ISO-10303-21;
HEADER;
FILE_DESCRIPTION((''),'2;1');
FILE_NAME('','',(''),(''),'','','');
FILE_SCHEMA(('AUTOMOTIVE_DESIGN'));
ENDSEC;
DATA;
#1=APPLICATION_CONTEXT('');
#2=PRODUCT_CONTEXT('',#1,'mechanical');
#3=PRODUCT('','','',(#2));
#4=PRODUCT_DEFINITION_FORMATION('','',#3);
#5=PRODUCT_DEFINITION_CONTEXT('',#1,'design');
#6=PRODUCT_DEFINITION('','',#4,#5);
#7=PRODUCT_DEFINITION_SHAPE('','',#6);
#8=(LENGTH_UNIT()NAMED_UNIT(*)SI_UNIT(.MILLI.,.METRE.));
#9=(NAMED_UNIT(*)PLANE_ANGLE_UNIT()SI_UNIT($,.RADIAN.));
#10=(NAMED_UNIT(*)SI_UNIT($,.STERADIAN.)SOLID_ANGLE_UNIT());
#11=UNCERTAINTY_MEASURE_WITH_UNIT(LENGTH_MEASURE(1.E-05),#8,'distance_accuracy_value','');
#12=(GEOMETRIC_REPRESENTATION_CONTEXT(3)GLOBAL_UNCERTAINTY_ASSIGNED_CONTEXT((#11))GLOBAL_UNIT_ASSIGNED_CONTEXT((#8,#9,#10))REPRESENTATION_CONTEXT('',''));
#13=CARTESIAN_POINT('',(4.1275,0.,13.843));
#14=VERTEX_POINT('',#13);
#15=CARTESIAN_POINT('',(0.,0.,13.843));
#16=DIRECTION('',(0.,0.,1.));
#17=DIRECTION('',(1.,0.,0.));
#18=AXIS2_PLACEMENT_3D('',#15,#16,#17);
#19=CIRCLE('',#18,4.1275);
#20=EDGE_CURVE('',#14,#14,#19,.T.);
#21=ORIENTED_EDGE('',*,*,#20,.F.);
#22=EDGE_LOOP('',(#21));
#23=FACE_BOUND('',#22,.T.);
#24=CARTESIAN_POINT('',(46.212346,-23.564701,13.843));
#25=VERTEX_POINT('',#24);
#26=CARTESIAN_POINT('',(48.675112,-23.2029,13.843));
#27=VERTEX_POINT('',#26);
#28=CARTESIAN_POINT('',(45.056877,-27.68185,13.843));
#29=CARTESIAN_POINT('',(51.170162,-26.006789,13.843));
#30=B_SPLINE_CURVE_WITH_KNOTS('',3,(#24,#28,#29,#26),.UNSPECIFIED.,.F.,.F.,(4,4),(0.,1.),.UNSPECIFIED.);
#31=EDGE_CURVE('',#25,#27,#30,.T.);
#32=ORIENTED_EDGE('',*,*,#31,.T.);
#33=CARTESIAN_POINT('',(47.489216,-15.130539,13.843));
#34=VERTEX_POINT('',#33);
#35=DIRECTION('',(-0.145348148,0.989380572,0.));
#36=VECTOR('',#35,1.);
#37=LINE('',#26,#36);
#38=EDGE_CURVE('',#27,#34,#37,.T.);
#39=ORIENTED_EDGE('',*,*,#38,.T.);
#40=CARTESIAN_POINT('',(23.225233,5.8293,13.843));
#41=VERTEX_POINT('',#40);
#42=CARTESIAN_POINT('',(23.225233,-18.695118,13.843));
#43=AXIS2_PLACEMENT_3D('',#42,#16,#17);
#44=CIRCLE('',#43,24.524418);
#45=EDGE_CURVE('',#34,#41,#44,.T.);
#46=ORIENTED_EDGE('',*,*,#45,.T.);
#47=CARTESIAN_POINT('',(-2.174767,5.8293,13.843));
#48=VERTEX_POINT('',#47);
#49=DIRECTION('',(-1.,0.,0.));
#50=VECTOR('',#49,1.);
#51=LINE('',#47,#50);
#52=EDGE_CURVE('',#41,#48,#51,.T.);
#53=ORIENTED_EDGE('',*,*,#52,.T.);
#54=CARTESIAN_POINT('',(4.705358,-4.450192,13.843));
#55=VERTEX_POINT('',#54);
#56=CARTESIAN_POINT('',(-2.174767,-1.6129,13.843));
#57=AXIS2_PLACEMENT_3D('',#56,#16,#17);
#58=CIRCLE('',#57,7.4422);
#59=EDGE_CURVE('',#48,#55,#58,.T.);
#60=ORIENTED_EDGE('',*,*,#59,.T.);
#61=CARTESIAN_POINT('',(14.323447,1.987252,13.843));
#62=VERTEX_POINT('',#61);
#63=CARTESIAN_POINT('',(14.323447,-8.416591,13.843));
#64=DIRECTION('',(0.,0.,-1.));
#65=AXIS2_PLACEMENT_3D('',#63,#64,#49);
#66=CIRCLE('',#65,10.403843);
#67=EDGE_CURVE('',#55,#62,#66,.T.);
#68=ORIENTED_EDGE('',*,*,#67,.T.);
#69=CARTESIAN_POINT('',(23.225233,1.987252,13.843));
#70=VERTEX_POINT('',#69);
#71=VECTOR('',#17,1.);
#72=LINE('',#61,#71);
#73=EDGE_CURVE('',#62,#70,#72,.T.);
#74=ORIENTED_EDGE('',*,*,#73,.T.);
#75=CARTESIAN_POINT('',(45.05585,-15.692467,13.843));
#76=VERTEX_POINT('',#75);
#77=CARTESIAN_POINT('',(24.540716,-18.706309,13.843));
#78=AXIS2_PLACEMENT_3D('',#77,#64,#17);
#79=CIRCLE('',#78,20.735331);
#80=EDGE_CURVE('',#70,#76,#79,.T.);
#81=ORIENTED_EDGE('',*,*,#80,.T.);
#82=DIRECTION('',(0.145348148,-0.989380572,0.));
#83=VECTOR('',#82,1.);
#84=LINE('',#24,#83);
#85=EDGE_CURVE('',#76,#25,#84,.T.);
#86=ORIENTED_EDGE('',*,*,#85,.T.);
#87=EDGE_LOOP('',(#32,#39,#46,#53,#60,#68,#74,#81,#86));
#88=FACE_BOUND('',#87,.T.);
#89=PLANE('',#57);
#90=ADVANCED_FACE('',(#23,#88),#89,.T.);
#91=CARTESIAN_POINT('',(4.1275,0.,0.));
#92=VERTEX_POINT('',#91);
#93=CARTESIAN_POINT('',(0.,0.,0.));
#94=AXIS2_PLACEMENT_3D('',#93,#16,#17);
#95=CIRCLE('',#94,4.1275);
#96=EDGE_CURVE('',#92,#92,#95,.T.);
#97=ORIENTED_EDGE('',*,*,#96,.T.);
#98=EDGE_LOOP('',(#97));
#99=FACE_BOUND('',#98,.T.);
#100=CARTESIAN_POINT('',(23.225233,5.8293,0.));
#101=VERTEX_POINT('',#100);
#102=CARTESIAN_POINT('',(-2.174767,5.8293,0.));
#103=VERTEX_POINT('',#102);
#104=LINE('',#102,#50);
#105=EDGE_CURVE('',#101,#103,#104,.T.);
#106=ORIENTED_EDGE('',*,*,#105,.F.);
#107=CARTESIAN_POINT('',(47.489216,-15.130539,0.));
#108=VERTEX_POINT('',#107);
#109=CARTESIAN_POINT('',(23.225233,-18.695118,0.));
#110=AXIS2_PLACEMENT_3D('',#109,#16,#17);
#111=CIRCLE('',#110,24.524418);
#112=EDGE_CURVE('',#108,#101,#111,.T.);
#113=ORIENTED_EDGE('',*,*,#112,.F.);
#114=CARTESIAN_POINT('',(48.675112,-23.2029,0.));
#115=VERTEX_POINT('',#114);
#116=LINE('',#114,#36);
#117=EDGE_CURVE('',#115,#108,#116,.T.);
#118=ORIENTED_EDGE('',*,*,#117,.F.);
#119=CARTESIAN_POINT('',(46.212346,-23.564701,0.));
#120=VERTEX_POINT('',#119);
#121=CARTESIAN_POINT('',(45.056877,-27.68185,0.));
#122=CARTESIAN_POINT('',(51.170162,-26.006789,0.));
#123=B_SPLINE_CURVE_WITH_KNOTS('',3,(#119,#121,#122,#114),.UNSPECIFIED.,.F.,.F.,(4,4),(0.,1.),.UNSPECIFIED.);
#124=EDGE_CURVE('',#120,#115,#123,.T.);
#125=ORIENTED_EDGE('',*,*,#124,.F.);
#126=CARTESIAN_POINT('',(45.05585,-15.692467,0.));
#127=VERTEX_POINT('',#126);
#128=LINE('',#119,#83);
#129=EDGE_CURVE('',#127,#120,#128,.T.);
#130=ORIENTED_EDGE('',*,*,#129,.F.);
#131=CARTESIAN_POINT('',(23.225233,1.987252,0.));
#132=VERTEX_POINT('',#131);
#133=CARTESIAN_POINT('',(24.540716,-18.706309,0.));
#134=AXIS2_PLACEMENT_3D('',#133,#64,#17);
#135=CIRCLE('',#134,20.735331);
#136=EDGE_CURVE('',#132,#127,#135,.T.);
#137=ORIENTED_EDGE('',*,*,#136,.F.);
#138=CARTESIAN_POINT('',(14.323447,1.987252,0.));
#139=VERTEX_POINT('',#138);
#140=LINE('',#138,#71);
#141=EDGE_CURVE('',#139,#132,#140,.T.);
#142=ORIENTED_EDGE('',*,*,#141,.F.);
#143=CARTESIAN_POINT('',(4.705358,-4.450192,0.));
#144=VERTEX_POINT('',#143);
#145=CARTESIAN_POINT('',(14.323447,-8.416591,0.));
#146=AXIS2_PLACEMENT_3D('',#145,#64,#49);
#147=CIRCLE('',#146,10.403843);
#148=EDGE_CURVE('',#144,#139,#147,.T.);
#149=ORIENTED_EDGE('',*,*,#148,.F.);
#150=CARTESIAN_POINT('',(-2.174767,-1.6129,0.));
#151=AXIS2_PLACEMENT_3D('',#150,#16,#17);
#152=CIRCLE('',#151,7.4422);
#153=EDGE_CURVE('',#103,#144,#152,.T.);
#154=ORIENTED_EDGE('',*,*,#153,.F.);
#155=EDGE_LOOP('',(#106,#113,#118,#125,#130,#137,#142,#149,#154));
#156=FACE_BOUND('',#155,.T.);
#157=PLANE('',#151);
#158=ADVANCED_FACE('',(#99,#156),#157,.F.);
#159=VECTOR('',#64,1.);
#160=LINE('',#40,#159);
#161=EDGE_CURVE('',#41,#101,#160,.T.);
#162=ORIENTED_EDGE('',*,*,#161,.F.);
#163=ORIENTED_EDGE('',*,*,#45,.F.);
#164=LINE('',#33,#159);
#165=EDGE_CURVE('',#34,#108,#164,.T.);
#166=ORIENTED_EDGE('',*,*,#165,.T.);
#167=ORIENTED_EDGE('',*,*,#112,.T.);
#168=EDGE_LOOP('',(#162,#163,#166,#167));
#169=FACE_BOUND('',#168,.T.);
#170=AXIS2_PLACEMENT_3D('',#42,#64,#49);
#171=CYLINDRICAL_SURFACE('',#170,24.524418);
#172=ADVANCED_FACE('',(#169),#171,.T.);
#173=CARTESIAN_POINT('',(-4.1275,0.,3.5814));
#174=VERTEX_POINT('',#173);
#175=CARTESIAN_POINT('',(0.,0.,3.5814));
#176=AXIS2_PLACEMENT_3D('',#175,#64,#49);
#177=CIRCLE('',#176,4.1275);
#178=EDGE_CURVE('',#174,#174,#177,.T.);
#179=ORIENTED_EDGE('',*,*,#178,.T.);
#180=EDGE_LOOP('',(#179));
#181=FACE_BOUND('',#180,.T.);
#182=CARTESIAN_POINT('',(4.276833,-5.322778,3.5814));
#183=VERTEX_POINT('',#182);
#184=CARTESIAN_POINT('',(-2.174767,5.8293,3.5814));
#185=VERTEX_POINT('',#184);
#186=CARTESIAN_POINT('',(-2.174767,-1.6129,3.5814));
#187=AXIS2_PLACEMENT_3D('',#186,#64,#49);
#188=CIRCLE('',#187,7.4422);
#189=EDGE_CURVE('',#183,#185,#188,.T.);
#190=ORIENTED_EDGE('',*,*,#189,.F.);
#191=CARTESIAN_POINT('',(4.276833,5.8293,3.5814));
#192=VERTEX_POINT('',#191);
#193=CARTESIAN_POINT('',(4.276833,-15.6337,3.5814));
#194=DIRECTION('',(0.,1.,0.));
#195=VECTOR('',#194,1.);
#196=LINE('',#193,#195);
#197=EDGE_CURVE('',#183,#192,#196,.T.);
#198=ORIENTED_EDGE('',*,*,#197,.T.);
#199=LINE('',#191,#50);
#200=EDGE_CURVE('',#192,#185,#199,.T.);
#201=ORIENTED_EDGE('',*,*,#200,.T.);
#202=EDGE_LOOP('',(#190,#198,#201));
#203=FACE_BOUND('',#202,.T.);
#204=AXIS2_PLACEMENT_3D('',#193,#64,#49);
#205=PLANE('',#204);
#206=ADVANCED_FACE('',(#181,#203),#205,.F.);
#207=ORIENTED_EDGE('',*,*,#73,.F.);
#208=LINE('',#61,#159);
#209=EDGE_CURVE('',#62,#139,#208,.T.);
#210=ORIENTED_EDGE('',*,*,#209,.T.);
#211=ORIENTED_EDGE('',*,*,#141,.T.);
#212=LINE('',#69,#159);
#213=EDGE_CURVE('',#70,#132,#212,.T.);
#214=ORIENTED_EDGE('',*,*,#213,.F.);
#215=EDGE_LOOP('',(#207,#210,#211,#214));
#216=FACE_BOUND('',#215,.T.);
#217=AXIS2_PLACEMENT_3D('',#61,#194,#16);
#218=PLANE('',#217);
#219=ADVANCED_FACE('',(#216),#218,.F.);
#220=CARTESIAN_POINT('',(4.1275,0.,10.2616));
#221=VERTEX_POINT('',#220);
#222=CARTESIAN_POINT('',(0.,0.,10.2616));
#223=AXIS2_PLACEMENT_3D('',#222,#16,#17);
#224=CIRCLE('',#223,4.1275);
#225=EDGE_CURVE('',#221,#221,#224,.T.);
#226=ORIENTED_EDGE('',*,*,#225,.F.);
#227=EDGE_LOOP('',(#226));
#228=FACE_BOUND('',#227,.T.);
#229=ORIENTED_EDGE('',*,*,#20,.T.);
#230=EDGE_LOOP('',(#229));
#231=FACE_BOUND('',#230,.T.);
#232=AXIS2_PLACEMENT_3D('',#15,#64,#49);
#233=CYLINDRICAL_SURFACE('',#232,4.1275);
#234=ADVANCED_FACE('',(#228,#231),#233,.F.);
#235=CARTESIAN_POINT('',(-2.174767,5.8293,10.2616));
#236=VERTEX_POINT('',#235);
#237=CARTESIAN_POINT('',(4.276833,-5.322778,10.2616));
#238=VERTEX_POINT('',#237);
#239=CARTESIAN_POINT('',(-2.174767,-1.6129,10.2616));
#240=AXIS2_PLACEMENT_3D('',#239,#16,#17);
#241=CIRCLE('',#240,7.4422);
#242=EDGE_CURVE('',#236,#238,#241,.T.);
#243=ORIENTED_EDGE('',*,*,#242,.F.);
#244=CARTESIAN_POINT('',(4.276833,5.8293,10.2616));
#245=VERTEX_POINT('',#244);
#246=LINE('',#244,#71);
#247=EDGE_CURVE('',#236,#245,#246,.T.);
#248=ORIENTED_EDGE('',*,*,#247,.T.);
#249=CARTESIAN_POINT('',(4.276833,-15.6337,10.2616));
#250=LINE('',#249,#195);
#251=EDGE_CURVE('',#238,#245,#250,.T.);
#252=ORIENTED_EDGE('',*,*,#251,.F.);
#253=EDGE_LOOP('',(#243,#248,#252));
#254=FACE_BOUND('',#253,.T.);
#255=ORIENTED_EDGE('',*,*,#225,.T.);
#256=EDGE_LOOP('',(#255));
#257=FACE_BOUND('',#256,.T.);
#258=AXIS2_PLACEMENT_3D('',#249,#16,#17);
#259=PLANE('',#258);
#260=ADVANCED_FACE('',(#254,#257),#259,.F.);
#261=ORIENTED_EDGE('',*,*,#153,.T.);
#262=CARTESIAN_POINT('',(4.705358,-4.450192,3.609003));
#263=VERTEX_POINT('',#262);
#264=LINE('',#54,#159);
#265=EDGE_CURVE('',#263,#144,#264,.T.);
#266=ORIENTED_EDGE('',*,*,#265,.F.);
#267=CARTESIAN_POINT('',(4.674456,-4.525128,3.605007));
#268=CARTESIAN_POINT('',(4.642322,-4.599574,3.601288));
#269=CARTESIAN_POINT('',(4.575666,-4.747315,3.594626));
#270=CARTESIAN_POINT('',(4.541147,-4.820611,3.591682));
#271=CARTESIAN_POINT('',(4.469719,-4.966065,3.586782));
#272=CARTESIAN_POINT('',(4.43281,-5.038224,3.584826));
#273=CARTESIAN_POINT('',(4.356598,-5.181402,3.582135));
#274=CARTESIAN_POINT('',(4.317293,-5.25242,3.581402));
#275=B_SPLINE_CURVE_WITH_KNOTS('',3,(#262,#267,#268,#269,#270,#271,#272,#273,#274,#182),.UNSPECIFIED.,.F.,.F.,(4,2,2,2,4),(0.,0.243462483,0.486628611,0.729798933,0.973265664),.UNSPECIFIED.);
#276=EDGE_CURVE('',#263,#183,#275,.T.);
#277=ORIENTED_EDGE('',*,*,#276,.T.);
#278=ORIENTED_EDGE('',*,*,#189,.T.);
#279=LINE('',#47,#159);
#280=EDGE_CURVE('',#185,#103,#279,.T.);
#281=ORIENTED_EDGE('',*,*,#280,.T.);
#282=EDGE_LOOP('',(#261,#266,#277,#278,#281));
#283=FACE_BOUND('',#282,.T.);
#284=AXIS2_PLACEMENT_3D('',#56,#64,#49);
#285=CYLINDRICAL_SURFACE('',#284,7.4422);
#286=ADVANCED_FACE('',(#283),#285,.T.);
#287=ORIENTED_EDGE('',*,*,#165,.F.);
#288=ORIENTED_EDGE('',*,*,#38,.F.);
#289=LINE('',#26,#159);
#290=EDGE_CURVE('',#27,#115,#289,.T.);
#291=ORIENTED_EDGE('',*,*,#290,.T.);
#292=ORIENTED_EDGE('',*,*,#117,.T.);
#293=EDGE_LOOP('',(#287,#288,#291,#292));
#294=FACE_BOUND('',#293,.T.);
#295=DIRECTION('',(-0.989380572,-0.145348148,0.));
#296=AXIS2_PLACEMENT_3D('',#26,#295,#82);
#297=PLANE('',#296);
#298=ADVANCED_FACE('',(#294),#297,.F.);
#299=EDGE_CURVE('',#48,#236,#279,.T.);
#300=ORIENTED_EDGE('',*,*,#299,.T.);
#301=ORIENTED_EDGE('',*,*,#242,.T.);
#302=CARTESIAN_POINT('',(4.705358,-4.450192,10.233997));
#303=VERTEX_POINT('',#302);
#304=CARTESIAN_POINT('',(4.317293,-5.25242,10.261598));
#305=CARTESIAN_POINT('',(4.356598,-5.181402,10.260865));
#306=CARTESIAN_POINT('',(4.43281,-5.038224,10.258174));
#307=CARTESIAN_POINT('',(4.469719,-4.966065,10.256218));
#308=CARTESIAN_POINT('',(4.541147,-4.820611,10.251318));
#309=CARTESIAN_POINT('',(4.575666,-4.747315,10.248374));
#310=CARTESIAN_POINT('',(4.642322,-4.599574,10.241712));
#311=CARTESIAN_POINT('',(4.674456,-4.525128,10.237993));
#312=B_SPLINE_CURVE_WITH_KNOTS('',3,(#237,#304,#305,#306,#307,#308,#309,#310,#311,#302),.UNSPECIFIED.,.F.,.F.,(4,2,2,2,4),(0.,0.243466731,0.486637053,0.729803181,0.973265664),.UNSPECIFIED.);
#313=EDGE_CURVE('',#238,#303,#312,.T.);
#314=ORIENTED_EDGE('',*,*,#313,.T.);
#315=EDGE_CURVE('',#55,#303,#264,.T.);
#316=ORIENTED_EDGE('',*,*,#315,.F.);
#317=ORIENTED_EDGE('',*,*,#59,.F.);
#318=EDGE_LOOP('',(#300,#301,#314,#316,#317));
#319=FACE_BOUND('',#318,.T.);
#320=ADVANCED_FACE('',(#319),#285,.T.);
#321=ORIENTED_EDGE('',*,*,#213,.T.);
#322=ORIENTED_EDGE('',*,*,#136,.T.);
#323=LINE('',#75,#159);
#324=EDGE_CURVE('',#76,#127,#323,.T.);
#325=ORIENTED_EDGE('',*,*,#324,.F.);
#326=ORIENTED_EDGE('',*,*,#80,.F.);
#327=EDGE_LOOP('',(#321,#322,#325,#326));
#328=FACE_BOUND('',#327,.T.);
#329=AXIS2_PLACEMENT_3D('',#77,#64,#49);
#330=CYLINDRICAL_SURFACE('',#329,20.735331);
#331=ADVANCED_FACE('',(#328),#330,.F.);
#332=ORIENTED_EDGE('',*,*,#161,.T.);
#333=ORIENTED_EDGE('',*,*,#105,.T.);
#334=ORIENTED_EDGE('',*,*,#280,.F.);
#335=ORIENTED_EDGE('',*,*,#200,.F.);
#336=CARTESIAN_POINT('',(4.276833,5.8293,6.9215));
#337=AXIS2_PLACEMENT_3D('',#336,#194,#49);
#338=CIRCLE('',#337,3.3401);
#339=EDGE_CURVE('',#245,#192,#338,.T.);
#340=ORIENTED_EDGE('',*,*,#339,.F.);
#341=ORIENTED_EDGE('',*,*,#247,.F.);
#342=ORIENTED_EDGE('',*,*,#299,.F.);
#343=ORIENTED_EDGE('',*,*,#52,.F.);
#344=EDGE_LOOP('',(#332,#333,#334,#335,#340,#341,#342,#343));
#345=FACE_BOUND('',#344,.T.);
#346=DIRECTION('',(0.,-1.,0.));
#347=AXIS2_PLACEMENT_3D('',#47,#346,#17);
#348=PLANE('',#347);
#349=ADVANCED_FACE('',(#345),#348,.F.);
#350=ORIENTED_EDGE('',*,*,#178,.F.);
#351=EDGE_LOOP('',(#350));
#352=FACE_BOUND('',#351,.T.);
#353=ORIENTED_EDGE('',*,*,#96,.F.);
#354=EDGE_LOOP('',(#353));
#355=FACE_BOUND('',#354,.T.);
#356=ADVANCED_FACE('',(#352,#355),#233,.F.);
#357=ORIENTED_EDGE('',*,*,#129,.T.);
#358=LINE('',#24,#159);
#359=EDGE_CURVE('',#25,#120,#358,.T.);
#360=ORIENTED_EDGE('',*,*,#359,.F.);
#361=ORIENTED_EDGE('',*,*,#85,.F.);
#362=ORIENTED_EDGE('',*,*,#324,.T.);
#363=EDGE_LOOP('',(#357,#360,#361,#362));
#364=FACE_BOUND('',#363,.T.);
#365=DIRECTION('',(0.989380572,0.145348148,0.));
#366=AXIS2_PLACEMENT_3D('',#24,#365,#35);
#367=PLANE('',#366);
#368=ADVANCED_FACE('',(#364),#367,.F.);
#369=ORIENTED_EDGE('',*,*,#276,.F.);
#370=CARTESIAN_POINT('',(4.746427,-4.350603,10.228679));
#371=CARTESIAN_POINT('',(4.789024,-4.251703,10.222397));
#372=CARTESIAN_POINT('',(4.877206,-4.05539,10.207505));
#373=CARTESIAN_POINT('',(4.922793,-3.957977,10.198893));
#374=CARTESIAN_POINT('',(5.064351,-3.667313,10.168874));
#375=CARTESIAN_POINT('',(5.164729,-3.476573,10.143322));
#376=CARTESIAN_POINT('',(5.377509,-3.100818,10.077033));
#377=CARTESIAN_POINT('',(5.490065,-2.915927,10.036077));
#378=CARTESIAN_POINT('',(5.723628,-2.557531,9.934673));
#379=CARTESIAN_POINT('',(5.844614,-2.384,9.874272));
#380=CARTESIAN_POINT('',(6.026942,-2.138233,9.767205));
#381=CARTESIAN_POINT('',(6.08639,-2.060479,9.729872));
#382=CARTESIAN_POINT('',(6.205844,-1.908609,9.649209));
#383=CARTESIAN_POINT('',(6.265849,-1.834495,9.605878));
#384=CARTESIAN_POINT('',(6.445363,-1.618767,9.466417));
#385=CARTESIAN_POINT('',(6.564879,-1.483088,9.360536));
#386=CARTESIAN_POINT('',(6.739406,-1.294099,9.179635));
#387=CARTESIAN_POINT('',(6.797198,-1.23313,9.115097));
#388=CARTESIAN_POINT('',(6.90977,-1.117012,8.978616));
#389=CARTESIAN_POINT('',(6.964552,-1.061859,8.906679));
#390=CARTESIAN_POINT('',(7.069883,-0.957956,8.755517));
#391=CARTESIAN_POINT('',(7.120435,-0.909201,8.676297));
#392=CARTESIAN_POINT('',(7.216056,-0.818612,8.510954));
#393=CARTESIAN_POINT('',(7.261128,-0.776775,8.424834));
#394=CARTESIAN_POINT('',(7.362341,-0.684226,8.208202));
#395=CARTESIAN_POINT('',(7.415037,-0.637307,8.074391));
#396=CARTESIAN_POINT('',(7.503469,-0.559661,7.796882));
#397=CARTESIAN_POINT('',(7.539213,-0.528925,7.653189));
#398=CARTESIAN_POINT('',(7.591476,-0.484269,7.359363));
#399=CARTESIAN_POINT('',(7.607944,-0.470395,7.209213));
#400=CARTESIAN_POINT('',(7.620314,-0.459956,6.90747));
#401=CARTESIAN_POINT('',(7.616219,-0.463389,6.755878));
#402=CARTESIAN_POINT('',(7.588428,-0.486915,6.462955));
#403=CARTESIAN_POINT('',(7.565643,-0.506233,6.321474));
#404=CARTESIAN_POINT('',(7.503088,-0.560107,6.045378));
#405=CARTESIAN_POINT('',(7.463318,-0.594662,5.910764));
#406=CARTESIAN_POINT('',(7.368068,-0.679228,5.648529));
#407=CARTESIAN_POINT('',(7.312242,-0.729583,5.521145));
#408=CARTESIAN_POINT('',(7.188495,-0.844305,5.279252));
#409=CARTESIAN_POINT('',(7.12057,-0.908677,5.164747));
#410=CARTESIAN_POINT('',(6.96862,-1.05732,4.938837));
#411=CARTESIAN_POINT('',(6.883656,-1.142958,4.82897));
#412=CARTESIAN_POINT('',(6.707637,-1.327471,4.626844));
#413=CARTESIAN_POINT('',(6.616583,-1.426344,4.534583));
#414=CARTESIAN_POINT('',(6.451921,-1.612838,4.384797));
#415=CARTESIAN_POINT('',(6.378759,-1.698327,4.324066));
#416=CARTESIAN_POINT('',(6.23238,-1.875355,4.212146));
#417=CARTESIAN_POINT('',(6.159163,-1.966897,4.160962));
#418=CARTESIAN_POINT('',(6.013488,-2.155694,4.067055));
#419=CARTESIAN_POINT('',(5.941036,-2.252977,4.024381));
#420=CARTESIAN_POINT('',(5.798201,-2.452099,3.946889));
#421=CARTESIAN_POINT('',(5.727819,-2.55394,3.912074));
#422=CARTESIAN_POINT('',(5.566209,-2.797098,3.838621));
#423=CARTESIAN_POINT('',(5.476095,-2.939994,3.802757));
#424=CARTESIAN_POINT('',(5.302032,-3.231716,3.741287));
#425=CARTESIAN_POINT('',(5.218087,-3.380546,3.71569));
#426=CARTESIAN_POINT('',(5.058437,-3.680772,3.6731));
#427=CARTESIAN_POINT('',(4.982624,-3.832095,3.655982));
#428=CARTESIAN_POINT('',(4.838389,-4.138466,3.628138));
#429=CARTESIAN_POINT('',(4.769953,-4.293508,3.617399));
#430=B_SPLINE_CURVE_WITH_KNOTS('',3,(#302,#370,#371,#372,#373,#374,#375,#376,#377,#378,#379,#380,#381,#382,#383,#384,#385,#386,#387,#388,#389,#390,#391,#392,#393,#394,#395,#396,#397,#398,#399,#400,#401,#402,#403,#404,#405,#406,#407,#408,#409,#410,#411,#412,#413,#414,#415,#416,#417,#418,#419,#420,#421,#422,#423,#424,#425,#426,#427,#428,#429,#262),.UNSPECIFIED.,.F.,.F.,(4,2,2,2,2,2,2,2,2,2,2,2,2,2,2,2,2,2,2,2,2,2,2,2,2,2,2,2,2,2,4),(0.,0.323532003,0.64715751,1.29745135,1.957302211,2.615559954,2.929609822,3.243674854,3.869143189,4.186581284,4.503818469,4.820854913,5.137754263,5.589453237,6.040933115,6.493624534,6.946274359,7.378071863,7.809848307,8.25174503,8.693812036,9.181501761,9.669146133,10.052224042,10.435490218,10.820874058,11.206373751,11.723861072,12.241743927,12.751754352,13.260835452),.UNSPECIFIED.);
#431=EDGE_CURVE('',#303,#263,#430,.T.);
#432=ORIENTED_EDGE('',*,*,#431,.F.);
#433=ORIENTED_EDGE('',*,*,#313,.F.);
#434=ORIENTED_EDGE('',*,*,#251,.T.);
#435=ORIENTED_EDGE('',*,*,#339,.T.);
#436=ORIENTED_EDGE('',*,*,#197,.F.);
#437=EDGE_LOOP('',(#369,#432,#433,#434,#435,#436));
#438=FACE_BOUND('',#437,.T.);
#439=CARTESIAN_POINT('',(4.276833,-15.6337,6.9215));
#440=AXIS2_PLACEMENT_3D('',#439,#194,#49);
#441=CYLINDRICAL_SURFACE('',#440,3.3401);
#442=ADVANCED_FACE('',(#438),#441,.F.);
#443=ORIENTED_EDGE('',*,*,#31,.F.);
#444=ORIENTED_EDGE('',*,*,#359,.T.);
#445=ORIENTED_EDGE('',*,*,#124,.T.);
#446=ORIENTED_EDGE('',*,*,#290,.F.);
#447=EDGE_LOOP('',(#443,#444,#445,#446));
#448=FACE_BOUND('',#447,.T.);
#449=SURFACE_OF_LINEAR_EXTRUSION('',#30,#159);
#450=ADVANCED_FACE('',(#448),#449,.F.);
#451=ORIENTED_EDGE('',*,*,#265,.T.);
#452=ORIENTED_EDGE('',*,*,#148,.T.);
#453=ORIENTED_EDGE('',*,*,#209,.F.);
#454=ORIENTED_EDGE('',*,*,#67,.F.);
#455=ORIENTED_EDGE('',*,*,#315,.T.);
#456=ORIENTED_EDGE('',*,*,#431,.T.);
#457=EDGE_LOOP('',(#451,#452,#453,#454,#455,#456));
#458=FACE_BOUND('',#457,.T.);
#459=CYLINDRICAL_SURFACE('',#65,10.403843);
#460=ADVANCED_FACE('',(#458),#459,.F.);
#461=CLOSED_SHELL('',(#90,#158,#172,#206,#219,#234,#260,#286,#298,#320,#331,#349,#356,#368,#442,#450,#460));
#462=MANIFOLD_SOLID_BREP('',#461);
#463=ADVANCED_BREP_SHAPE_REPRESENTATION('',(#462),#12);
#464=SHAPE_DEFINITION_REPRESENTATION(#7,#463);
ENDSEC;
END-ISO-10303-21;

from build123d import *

# Parameters (mm, degrees)
SKETCH1_R           = 4.1275
BOSS_EXTRUDE1_DEPTH = 13.843
CUT_EXTRUDE1_DEPTH  = 21.463


with BuildPart() as part:
    # Sketch1 → Boss-Extrude1 (new body)
    with BuildSketch(Plane.XY):
        with BuildLine():
            Line((-2.174766514, 5.8293), (23.225233486, 5.8293))
            ThreePointArc((23.225233486, 5.8293), (39.256887261, -0.136207699), (47.489215864, -15.130538982))
            Line((47.489215864, -15.130538982), (48.675112128, -23.2029))
            add(Edge.make_bspline(
                [(46.212346009, -23.56470061), (45.056877099, -27.681849857), (51.170161996, -26.006789114), (48.675112128, -23.2029)],
                knots=[0, 0, 0, 0, 1, 1, 1, 1], degree=3))
            Line((46.212346009, -23.56470061), (45.055850098, -15.692466932))
            ThreePointArc((45.055850098, -15.692466932), (37.59061151, -2.592519956), (23.225233486, 1.98725211))
            Line((23.225233486, 1.98725211), (14.323446957, 1.98725211))
            ThreePointArc((14.323446957, 1.98725211), (8.536644874, 0.229383426), (4.70535824, -4.450191704))
            ThreePointArc((4.70535824, -4.450191704), (-8.359507137, -5.752383574), (-2.174766514, 5.8293))
        make_face()
        Circle(SKETCH1_R, mode=Mode.SUBTRACT)
    extrude(amount=BOSS_EXTRUDE1_DEPTH)

    # Sketch2 → Cut-Extrude1 (cut)
    with BuildSketch(Plane(origin=(0, 5.8293, 0), x_dir=(1, 0, 0), z_dir=(0, 1, 0))):
        with BuildLine():
            Line((4.276833486, -3.5814), (-9.616966514, -3.5814))
            Line((-9.616966514, -3.5814), (-9.616966514, -10.2616))
            Line((-9.616966514, -10.2616), (4.276833486, -10.2616))
            ThreePointArc((4.276833486, -10.2616), (7.616933486, -6.9215), (4.276833486, -3.5814))
        make_face()
    extrude(amount=-CUT_EXTRUDE1_DEPTH, mode=Mode.SUBTRACT)


solid = part.part
